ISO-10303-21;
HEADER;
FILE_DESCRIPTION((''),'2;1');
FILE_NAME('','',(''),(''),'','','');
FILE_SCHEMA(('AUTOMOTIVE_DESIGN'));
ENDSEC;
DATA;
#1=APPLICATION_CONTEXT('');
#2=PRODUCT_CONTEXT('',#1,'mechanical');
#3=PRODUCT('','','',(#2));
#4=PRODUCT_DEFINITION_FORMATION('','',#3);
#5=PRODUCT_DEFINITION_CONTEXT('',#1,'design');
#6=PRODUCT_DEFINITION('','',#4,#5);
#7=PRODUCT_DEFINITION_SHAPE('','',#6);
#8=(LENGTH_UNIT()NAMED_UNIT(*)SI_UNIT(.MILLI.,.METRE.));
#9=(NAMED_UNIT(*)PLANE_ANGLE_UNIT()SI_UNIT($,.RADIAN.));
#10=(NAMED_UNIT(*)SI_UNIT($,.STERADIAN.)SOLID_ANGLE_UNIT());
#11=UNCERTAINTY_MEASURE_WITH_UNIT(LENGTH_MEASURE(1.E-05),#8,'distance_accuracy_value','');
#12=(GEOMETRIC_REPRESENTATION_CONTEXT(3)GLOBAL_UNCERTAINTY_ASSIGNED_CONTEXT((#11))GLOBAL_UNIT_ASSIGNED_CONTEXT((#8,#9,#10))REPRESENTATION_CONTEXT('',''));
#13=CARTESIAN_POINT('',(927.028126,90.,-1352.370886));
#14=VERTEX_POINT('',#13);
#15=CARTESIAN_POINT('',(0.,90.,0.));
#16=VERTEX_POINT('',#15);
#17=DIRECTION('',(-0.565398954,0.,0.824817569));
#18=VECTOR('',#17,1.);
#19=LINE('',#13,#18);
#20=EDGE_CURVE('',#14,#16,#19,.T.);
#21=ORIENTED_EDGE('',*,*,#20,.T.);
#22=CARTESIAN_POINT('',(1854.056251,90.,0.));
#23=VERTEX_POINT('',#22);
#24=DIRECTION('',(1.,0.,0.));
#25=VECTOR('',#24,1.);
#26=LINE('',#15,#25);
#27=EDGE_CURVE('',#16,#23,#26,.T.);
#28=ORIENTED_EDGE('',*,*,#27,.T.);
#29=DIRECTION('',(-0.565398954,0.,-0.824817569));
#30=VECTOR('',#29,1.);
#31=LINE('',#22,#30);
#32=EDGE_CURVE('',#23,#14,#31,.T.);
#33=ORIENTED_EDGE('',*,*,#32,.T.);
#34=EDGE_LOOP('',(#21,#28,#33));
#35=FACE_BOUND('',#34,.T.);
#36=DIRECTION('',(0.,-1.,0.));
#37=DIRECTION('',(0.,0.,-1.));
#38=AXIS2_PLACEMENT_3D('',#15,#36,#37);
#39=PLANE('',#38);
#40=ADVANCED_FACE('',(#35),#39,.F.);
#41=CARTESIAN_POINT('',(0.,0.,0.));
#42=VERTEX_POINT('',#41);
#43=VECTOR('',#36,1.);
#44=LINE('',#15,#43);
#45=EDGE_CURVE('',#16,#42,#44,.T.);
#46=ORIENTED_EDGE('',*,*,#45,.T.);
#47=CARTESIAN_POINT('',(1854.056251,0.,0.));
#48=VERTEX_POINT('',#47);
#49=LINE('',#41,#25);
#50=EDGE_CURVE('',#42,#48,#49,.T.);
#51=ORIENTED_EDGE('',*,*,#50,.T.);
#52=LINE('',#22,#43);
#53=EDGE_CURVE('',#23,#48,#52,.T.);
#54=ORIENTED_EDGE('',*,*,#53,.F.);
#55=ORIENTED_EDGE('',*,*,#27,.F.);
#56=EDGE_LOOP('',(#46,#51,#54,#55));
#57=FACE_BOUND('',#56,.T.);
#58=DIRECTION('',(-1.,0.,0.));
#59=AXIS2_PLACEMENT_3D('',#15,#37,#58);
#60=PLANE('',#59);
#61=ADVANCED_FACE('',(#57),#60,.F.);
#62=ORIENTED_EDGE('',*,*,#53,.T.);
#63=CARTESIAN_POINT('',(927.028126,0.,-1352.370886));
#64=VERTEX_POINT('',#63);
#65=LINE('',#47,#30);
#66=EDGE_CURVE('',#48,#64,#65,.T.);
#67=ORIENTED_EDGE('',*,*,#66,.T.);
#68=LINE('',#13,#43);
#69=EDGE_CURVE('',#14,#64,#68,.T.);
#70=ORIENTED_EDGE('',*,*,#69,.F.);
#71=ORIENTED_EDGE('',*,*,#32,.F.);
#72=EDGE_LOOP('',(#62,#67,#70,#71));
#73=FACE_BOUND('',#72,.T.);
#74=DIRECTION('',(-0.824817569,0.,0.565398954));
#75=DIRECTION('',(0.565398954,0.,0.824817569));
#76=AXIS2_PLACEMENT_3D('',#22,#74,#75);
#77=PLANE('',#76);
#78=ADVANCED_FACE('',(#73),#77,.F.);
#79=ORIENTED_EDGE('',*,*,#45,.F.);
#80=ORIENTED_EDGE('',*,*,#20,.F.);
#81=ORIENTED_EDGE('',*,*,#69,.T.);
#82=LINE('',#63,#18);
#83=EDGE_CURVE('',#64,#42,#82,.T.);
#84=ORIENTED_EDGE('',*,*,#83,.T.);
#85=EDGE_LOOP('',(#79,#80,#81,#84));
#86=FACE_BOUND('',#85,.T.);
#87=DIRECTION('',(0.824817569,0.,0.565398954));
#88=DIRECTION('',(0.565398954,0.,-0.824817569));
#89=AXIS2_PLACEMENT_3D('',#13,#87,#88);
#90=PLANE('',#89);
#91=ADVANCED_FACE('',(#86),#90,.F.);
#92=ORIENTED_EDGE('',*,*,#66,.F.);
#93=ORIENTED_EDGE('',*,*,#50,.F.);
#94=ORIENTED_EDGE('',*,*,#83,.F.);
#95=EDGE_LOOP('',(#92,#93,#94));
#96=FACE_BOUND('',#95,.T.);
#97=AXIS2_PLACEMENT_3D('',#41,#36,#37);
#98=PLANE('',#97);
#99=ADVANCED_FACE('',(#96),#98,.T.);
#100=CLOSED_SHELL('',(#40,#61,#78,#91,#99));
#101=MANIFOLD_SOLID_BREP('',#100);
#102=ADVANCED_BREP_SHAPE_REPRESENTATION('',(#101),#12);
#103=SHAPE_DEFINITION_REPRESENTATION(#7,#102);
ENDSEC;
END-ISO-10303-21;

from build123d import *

# Parameters (mm, degrees)
BOSS_EXTRUDE1_DEPTH = 90


with BuildPart() as part:
    # Sketch1 → Boss-Extrude1 (new body)
    with BuildSketch(Plane(origin=(0, 0, 0), x_dir=(1, 0, 0), z_dir=(0, 1, 0))):
        Polygon((0, 0), (1854.056251197, 0), (927.028125598, 1352.370886388), align=None)
    extrude(amount=BOSS_EXTRUDE1_DEPTH)


solid = part.part
